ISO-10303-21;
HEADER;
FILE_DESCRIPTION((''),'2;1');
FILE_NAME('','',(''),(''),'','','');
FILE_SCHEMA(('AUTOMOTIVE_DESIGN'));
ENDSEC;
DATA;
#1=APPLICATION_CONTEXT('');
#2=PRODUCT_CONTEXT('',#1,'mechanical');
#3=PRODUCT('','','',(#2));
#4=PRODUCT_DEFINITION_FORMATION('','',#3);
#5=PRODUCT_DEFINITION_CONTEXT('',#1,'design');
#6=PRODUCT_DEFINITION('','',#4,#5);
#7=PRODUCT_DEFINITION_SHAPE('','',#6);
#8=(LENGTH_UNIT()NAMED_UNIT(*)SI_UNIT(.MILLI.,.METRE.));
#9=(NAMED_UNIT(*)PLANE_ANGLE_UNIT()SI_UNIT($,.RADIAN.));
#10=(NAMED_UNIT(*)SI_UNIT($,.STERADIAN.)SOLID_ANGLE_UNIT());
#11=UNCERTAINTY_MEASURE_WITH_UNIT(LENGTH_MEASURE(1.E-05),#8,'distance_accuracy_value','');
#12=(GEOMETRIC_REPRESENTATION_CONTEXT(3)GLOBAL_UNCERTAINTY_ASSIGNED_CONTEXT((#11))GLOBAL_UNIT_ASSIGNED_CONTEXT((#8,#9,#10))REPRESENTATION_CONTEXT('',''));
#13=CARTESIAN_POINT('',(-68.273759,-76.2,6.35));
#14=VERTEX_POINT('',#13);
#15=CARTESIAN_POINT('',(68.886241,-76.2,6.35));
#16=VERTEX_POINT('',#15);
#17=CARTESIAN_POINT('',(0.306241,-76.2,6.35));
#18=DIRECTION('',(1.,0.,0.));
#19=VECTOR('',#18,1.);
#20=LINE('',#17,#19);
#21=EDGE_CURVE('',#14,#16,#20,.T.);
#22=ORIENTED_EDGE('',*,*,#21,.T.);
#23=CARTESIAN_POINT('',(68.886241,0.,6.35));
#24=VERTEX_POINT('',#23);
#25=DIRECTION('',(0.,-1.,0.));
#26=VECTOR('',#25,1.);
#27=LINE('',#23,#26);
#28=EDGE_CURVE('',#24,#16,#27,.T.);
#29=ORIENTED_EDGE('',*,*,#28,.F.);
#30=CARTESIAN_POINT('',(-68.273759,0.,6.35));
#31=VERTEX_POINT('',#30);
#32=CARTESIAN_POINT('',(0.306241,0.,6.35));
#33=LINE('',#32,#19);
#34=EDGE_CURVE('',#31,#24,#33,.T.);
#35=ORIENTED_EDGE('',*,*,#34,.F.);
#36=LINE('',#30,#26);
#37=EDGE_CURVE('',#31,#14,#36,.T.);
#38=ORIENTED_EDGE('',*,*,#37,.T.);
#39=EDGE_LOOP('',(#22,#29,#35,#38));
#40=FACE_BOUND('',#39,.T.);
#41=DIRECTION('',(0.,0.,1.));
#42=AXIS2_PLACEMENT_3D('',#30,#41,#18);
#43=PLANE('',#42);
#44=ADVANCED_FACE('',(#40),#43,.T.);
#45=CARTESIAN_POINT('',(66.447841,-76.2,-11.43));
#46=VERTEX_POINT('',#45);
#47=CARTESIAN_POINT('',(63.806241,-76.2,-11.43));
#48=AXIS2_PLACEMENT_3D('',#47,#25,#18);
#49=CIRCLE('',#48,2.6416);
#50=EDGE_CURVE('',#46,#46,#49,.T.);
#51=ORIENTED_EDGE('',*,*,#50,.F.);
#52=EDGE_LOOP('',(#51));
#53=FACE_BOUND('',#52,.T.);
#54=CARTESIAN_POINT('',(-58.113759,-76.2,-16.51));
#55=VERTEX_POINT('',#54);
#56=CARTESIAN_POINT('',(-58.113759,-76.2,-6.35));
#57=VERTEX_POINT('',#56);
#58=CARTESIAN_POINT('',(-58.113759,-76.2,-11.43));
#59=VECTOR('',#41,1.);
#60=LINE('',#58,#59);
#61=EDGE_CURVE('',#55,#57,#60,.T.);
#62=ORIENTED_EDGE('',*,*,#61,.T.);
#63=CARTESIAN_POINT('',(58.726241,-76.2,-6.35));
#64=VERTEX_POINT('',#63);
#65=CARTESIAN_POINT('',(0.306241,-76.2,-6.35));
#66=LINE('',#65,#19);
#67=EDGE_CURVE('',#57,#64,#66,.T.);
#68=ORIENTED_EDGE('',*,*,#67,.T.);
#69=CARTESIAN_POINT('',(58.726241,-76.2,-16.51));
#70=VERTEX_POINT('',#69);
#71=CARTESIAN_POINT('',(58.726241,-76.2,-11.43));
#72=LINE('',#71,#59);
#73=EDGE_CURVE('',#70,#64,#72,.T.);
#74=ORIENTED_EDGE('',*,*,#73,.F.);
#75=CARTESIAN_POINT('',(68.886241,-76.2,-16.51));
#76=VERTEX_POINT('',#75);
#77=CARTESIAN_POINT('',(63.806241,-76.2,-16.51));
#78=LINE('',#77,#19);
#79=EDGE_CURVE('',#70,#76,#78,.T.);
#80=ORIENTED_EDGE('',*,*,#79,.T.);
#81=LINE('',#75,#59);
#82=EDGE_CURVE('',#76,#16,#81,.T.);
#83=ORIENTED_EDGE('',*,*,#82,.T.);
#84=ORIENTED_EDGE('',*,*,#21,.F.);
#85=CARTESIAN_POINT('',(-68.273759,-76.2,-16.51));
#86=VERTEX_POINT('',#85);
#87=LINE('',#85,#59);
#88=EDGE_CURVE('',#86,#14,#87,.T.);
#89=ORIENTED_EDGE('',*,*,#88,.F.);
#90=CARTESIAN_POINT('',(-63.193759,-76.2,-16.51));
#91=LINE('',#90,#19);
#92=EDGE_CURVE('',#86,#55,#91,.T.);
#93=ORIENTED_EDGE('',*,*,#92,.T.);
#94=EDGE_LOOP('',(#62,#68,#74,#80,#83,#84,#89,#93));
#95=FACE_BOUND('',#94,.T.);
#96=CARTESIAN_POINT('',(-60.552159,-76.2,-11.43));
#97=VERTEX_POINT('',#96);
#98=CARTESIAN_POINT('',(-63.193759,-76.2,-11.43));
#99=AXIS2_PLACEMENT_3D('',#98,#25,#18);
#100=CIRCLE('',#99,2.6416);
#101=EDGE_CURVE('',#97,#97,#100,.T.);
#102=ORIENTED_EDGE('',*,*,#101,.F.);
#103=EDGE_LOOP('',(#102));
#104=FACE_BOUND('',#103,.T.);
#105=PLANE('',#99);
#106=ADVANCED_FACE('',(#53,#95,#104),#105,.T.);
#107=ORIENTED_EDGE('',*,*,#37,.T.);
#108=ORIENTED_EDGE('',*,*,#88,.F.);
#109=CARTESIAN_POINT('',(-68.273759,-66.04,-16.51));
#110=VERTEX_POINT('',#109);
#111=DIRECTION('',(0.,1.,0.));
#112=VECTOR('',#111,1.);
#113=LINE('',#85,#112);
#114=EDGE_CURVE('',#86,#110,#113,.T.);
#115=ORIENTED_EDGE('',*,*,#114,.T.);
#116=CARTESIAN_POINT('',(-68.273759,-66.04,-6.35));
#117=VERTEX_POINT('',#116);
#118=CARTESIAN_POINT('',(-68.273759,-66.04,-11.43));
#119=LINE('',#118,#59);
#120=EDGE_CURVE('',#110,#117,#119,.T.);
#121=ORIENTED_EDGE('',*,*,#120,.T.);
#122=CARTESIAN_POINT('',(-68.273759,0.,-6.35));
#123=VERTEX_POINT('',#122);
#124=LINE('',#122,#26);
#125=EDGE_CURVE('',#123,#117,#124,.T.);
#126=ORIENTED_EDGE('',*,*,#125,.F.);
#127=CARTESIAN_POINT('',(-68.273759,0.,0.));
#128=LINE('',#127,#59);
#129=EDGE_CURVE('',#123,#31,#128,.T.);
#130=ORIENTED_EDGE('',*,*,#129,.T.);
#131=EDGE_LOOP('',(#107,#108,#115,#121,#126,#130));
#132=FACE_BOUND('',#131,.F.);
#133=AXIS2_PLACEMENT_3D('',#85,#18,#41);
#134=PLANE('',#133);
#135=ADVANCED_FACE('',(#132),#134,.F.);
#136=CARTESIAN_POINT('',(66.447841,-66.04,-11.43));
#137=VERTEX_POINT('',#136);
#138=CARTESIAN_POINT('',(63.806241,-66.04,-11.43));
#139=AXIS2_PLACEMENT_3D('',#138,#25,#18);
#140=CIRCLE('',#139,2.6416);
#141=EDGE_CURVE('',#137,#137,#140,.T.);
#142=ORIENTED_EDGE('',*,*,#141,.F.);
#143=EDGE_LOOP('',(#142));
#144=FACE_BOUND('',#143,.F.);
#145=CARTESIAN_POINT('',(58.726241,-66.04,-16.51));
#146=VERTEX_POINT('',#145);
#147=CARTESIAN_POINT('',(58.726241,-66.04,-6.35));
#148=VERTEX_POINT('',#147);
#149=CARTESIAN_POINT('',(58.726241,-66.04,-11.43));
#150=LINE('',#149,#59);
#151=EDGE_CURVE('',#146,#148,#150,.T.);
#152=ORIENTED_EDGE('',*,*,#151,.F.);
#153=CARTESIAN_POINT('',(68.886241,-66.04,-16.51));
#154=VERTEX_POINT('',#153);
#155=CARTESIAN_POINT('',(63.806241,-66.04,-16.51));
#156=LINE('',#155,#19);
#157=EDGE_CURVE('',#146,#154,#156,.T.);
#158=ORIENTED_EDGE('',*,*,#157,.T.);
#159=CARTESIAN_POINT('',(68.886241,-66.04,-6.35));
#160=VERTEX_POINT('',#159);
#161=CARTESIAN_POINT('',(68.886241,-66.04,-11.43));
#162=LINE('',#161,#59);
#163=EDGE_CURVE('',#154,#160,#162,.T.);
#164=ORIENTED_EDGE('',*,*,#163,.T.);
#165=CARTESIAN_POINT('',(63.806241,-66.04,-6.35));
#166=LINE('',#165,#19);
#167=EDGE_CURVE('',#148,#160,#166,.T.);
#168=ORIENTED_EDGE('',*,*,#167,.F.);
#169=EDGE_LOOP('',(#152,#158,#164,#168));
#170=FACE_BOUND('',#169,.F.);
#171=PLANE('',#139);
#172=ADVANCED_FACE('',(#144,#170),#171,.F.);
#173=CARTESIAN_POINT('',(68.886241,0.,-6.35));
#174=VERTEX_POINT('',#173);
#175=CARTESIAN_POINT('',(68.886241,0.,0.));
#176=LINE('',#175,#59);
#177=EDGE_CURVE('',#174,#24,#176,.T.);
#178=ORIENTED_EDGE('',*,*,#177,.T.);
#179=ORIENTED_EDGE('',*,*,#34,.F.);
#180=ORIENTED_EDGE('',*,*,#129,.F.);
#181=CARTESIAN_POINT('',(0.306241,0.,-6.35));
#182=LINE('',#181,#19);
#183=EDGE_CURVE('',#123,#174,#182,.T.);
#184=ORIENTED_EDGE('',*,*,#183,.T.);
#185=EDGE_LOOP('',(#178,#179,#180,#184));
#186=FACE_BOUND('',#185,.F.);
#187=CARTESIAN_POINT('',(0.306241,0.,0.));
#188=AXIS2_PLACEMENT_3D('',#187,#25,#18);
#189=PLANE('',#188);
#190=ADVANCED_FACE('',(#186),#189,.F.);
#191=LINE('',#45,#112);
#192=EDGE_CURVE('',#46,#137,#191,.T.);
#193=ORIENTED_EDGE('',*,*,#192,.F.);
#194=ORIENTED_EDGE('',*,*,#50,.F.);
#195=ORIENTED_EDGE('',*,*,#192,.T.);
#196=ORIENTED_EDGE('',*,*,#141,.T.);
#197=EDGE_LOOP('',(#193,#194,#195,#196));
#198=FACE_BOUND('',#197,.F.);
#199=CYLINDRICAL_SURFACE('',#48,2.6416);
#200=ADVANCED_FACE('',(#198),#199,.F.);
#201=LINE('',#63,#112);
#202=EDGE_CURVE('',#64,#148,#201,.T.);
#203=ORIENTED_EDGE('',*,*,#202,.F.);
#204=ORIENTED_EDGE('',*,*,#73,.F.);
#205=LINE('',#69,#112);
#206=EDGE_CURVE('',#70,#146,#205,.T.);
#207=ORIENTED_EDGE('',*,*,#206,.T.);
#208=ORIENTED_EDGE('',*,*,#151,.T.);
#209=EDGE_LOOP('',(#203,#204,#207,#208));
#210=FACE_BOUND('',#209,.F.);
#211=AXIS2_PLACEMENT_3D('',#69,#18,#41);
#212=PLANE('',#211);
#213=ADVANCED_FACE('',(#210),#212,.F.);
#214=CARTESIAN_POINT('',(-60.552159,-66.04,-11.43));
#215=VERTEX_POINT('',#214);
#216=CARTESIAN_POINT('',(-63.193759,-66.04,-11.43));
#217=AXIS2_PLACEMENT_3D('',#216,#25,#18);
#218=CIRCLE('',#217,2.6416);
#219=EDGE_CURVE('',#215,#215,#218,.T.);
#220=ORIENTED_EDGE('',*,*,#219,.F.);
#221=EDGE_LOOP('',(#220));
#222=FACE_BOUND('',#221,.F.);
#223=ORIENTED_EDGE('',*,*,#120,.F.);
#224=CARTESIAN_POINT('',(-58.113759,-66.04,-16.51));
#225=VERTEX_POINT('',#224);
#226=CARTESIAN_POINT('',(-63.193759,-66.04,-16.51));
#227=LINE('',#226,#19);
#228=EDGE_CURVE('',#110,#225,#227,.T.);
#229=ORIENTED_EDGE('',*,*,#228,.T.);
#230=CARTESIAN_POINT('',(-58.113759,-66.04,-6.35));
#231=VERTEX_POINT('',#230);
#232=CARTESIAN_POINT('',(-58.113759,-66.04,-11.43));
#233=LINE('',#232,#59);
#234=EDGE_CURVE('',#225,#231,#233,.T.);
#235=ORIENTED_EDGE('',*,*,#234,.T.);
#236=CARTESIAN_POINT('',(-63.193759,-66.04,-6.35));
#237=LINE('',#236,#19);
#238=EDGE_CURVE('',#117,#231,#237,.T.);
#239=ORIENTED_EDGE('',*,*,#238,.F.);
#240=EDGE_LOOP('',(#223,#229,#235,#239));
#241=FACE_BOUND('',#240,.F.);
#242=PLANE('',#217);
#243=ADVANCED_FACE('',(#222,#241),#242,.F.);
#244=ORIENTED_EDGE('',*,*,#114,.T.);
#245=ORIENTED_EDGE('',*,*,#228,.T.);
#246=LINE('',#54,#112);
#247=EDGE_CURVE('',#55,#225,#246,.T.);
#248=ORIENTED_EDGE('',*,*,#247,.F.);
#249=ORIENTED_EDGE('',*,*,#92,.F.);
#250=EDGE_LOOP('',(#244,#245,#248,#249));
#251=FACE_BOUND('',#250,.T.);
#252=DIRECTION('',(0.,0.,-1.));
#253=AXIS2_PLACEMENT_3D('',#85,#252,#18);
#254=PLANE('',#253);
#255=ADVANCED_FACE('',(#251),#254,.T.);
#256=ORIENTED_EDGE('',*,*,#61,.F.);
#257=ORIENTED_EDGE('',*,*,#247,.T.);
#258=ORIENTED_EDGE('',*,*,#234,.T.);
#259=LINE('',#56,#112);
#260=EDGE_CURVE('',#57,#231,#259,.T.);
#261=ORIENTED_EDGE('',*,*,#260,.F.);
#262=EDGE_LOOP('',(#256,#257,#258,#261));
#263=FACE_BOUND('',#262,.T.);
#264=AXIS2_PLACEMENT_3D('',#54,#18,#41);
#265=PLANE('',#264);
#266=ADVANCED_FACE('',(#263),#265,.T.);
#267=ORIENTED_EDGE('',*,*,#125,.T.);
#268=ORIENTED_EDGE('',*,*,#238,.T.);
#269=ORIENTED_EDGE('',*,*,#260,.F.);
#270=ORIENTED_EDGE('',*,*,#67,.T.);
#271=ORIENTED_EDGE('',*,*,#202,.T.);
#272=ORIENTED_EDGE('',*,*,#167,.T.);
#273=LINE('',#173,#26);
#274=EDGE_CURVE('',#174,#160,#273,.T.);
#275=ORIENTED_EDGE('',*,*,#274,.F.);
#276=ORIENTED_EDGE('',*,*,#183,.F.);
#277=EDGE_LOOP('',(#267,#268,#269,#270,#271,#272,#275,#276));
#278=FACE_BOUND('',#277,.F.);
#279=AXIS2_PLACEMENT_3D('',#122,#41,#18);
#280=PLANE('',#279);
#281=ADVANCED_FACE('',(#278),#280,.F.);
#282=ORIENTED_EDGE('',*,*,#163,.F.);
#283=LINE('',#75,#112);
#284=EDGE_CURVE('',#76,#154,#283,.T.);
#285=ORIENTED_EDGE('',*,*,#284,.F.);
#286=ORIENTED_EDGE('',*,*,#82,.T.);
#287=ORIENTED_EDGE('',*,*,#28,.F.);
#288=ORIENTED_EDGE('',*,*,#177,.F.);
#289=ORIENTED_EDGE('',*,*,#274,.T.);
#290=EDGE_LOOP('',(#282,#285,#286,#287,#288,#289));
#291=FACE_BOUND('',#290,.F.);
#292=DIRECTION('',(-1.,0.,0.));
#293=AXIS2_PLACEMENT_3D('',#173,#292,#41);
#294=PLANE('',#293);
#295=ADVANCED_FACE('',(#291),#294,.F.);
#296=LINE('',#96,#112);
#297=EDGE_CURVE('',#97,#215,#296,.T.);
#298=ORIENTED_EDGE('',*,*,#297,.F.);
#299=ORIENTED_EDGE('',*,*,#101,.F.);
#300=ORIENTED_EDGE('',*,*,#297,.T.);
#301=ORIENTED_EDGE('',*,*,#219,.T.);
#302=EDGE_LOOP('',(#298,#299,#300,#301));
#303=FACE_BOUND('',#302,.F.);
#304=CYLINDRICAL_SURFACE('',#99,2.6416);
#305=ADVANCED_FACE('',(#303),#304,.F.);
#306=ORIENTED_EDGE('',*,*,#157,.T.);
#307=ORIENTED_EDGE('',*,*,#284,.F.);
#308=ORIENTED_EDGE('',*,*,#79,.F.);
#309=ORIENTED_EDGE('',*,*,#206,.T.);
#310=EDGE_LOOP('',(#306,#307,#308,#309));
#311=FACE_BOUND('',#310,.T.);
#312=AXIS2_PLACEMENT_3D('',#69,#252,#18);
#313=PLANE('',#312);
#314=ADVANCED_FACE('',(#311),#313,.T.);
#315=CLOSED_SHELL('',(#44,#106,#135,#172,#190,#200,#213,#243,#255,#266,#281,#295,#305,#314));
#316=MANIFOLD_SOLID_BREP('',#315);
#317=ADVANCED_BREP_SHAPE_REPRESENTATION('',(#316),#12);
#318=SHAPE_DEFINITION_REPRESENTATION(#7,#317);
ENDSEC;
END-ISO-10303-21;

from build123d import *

# Parameters (mm, degrees)
F0_W     = 137.16
F0_H     = 12.7
F1_DEPTH = 76.2
F2_W     = 10.16
F2_H     = 10.16
F3_DEPTH = 10.16
F4_R     = 2.6416
F5_DEPTH = 25.4


with BuildPart() as f1:
    # F0 (on Front) → F1 (new body)
    with BuildSketch(Plane.XZ):
        with Locations((0.306241, 0)):
            Rectangle(F0_W, F0_H)
    extrude(amount=F1_DEPTH)

    # F2 (on face) → F3 (join)
    with BuildSketch(Plane.XZ.offset(76.2)):
        with Locations((-63.193759, -11.43)):
            Rectangle(F2_W, F2_H)
        with Locations((63.806241, -11.43)):
            Rectangle(F2_W, F2_H)
    extrude(amount=-F3_DEPTH)

    # F4 (on face) → F5 (cut)
    with BuildSketch(Plane.XZ.offset(76.2)):
        with Locations((-63.193759, -11.43)):
            Circle(F4_R)
        with Locations((63.806241, -11.43)):
            Circle(F4_R)
    extrude(amount=-F5_DEPTH, mode=Mode.SUBTRACT)


solid = f1.part
